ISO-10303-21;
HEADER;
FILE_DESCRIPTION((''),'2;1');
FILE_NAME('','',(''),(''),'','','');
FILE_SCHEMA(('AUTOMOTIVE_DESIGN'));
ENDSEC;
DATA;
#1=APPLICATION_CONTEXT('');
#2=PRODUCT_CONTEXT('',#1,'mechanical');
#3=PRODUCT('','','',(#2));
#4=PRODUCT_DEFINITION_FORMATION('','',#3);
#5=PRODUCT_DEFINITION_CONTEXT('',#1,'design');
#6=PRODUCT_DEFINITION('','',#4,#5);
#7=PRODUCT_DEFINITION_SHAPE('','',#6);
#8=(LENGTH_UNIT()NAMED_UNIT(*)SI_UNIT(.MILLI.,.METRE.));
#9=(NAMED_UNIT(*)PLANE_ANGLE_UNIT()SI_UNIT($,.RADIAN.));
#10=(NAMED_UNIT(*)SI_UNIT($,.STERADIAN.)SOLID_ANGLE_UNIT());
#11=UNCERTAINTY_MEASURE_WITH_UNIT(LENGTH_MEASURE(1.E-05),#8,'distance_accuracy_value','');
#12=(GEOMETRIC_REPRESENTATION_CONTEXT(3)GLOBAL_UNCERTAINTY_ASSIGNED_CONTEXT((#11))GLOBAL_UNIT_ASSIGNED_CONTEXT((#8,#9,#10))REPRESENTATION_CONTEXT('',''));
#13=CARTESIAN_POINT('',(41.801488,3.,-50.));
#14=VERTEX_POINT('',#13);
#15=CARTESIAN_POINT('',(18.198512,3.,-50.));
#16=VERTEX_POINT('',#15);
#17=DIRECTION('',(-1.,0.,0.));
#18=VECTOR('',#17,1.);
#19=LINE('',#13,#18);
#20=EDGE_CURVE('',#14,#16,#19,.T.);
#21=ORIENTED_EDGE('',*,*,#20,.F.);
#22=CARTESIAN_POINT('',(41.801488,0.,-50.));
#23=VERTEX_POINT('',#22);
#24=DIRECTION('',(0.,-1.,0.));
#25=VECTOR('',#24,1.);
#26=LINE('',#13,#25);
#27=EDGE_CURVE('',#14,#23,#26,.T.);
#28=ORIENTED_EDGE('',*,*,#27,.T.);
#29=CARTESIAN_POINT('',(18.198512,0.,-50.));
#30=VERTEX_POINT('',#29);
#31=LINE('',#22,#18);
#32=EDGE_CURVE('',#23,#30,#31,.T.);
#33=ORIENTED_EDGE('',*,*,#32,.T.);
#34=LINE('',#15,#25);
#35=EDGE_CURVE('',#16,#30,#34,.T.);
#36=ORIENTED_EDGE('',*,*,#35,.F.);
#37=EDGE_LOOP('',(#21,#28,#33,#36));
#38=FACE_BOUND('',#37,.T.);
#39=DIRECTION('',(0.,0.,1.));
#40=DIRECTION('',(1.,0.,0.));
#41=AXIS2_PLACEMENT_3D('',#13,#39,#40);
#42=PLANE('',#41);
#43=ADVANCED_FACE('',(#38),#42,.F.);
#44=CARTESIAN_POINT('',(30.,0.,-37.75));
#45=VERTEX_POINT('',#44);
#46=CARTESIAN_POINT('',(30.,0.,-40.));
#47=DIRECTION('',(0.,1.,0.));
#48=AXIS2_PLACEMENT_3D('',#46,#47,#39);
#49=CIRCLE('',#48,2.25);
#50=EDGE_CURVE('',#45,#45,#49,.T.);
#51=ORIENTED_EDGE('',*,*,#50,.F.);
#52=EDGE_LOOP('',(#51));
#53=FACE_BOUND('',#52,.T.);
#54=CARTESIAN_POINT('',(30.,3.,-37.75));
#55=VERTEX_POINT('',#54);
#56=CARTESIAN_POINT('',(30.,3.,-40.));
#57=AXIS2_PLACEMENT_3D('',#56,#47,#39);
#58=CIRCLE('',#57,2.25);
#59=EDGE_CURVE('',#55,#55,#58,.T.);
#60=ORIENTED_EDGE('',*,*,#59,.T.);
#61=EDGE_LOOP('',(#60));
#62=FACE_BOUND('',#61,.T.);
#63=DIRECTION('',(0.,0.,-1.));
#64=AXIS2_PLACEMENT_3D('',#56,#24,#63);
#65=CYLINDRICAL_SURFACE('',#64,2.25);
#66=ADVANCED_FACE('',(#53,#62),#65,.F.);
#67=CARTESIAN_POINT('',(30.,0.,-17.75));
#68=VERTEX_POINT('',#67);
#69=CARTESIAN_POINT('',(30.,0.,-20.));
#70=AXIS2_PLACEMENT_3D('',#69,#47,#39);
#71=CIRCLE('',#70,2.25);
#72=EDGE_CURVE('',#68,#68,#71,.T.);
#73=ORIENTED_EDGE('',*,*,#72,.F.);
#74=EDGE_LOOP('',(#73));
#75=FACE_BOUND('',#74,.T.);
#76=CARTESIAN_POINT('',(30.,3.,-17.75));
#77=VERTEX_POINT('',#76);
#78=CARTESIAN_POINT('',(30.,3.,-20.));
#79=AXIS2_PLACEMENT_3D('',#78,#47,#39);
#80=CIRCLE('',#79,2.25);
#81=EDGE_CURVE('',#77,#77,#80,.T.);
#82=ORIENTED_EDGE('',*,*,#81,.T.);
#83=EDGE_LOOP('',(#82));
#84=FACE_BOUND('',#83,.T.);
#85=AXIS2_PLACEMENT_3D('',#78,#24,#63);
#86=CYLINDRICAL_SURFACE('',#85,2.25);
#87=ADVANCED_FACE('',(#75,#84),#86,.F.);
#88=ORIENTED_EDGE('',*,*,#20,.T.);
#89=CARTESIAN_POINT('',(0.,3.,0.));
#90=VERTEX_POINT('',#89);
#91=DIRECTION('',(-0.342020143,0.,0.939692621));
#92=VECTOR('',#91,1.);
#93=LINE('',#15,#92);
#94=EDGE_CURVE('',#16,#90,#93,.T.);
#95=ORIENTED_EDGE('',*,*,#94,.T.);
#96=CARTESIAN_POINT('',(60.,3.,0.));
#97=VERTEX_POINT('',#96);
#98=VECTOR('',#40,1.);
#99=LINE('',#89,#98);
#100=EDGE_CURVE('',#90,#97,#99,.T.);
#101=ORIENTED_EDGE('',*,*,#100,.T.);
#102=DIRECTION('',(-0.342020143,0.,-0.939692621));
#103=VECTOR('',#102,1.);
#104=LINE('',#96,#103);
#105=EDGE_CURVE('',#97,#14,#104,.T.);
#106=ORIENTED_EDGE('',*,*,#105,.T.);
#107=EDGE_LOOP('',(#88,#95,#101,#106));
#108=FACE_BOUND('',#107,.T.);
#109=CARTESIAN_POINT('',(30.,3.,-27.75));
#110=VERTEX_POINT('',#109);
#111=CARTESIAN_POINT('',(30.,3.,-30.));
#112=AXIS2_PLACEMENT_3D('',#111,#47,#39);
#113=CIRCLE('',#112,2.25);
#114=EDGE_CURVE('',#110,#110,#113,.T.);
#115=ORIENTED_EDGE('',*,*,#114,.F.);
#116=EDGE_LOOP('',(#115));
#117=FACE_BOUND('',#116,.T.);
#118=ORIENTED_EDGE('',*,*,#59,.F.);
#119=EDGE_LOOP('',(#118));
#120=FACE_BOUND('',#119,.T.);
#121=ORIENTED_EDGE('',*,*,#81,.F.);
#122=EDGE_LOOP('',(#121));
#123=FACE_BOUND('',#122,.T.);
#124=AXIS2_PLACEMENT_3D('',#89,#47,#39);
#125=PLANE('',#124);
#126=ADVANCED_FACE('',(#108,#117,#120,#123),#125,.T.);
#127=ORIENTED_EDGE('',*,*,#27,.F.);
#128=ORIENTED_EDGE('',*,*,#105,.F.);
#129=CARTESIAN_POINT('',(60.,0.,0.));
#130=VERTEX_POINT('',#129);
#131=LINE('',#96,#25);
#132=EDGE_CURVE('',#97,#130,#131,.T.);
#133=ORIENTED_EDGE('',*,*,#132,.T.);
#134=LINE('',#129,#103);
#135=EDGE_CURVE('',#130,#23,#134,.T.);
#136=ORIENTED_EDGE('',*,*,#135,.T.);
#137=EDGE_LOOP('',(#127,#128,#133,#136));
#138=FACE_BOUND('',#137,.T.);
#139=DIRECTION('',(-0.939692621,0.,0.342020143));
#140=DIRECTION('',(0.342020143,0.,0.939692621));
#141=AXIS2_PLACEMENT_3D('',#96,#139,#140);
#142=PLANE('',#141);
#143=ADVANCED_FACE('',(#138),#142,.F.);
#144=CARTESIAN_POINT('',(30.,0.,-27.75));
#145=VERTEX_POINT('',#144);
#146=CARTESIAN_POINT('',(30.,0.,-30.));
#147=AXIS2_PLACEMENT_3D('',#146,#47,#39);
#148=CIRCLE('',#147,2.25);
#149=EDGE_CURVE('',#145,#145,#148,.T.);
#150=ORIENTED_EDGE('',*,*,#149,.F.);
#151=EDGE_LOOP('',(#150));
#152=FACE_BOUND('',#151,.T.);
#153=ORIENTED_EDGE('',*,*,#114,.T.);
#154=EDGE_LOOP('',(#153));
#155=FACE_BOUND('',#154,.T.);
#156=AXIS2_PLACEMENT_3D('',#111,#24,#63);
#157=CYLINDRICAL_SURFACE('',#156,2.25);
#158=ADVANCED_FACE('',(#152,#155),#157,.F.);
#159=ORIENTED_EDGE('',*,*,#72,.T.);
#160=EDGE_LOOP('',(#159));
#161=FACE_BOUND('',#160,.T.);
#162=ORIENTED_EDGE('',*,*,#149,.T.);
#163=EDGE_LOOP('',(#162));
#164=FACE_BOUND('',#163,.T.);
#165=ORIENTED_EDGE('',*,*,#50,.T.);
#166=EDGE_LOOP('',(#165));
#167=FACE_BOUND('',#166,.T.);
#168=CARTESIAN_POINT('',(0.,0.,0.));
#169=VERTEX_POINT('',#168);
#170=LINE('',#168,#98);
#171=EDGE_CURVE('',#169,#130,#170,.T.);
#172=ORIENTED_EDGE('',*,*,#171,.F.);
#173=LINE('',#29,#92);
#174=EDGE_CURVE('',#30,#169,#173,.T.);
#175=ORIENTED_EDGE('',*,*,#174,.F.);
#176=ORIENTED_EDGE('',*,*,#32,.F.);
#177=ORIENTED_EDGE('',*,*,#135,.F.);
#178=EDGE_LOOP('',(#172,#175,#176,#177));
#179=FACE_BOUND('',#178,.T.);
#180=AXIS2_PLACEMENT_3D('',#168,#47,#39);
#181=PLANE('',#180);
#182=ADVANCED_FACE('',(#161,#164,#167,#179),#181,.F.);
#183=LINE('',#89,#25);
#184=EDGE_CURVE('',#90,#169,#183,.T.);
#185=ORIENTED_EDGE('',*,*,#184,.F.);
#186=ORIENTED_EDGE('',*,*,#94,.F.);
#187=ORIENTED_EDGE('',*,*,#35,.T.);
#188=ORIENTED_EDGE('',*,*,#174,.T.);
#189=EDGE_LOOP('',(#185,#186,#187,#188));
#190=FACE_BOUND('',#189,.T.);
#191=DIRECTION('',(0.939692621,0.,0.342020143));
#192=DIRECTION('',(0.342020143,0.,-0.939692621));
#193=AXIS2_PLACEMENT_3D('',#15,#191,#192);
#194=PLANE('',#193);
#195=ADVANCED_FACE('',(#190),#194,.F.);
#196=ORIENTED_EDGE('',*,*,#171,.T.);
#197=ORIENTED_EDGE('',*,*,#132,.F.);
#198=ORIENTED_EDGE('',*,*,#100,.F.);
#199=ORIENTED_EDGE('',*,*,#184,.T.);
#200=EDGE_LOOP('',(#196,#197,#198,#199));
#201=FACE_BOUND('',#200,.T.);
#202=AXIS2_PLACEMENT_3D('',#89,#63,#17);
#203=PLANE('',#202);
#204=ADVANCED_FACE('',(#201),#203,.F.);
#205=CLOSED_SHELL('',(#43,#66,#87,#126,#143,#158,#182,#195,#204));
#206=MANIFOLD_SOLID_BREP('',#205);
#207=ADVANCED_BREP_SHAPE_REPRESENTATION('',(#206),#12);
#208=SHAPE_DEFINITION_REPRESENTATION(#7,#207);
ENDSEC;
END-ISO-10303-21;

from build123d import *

# Parameters (mm, degrees)
SKETCH_1_R      = 2.25
EXTRUDE_1_DEPTH = 3


with BuildPart() as part:
    # 草图1 → 凸台-拉伸1 (new body)
    with BuildSketch(Plane(origin=(0, 0, 0), x_dir=(1, 0, 0), z_dir=(0, 1, 0))):
        Polygon((0, 0), (60, 0), (41.801488287, 50), (18.198511713, 50), align=None)
        with Locations(Location((30, 30, 0), (0, 0, 270))):
            Circle(SKETCH_1_R, mode=Mode.SUBTRACT)
        with Locations(Location((30, 20, 0), (0, 0, 270))):
            Circle(SKETCH_1_R, mode=Mode.SUBTRACT)
        with Locations(Location((30, 40, 0), (0, 0, 270))):
            Circle(SKETCH_1_R, mode=Mode.SUBTRACT)
    extrude(amount=EXTRUDE_1_DEPTH)


solid = part.part
